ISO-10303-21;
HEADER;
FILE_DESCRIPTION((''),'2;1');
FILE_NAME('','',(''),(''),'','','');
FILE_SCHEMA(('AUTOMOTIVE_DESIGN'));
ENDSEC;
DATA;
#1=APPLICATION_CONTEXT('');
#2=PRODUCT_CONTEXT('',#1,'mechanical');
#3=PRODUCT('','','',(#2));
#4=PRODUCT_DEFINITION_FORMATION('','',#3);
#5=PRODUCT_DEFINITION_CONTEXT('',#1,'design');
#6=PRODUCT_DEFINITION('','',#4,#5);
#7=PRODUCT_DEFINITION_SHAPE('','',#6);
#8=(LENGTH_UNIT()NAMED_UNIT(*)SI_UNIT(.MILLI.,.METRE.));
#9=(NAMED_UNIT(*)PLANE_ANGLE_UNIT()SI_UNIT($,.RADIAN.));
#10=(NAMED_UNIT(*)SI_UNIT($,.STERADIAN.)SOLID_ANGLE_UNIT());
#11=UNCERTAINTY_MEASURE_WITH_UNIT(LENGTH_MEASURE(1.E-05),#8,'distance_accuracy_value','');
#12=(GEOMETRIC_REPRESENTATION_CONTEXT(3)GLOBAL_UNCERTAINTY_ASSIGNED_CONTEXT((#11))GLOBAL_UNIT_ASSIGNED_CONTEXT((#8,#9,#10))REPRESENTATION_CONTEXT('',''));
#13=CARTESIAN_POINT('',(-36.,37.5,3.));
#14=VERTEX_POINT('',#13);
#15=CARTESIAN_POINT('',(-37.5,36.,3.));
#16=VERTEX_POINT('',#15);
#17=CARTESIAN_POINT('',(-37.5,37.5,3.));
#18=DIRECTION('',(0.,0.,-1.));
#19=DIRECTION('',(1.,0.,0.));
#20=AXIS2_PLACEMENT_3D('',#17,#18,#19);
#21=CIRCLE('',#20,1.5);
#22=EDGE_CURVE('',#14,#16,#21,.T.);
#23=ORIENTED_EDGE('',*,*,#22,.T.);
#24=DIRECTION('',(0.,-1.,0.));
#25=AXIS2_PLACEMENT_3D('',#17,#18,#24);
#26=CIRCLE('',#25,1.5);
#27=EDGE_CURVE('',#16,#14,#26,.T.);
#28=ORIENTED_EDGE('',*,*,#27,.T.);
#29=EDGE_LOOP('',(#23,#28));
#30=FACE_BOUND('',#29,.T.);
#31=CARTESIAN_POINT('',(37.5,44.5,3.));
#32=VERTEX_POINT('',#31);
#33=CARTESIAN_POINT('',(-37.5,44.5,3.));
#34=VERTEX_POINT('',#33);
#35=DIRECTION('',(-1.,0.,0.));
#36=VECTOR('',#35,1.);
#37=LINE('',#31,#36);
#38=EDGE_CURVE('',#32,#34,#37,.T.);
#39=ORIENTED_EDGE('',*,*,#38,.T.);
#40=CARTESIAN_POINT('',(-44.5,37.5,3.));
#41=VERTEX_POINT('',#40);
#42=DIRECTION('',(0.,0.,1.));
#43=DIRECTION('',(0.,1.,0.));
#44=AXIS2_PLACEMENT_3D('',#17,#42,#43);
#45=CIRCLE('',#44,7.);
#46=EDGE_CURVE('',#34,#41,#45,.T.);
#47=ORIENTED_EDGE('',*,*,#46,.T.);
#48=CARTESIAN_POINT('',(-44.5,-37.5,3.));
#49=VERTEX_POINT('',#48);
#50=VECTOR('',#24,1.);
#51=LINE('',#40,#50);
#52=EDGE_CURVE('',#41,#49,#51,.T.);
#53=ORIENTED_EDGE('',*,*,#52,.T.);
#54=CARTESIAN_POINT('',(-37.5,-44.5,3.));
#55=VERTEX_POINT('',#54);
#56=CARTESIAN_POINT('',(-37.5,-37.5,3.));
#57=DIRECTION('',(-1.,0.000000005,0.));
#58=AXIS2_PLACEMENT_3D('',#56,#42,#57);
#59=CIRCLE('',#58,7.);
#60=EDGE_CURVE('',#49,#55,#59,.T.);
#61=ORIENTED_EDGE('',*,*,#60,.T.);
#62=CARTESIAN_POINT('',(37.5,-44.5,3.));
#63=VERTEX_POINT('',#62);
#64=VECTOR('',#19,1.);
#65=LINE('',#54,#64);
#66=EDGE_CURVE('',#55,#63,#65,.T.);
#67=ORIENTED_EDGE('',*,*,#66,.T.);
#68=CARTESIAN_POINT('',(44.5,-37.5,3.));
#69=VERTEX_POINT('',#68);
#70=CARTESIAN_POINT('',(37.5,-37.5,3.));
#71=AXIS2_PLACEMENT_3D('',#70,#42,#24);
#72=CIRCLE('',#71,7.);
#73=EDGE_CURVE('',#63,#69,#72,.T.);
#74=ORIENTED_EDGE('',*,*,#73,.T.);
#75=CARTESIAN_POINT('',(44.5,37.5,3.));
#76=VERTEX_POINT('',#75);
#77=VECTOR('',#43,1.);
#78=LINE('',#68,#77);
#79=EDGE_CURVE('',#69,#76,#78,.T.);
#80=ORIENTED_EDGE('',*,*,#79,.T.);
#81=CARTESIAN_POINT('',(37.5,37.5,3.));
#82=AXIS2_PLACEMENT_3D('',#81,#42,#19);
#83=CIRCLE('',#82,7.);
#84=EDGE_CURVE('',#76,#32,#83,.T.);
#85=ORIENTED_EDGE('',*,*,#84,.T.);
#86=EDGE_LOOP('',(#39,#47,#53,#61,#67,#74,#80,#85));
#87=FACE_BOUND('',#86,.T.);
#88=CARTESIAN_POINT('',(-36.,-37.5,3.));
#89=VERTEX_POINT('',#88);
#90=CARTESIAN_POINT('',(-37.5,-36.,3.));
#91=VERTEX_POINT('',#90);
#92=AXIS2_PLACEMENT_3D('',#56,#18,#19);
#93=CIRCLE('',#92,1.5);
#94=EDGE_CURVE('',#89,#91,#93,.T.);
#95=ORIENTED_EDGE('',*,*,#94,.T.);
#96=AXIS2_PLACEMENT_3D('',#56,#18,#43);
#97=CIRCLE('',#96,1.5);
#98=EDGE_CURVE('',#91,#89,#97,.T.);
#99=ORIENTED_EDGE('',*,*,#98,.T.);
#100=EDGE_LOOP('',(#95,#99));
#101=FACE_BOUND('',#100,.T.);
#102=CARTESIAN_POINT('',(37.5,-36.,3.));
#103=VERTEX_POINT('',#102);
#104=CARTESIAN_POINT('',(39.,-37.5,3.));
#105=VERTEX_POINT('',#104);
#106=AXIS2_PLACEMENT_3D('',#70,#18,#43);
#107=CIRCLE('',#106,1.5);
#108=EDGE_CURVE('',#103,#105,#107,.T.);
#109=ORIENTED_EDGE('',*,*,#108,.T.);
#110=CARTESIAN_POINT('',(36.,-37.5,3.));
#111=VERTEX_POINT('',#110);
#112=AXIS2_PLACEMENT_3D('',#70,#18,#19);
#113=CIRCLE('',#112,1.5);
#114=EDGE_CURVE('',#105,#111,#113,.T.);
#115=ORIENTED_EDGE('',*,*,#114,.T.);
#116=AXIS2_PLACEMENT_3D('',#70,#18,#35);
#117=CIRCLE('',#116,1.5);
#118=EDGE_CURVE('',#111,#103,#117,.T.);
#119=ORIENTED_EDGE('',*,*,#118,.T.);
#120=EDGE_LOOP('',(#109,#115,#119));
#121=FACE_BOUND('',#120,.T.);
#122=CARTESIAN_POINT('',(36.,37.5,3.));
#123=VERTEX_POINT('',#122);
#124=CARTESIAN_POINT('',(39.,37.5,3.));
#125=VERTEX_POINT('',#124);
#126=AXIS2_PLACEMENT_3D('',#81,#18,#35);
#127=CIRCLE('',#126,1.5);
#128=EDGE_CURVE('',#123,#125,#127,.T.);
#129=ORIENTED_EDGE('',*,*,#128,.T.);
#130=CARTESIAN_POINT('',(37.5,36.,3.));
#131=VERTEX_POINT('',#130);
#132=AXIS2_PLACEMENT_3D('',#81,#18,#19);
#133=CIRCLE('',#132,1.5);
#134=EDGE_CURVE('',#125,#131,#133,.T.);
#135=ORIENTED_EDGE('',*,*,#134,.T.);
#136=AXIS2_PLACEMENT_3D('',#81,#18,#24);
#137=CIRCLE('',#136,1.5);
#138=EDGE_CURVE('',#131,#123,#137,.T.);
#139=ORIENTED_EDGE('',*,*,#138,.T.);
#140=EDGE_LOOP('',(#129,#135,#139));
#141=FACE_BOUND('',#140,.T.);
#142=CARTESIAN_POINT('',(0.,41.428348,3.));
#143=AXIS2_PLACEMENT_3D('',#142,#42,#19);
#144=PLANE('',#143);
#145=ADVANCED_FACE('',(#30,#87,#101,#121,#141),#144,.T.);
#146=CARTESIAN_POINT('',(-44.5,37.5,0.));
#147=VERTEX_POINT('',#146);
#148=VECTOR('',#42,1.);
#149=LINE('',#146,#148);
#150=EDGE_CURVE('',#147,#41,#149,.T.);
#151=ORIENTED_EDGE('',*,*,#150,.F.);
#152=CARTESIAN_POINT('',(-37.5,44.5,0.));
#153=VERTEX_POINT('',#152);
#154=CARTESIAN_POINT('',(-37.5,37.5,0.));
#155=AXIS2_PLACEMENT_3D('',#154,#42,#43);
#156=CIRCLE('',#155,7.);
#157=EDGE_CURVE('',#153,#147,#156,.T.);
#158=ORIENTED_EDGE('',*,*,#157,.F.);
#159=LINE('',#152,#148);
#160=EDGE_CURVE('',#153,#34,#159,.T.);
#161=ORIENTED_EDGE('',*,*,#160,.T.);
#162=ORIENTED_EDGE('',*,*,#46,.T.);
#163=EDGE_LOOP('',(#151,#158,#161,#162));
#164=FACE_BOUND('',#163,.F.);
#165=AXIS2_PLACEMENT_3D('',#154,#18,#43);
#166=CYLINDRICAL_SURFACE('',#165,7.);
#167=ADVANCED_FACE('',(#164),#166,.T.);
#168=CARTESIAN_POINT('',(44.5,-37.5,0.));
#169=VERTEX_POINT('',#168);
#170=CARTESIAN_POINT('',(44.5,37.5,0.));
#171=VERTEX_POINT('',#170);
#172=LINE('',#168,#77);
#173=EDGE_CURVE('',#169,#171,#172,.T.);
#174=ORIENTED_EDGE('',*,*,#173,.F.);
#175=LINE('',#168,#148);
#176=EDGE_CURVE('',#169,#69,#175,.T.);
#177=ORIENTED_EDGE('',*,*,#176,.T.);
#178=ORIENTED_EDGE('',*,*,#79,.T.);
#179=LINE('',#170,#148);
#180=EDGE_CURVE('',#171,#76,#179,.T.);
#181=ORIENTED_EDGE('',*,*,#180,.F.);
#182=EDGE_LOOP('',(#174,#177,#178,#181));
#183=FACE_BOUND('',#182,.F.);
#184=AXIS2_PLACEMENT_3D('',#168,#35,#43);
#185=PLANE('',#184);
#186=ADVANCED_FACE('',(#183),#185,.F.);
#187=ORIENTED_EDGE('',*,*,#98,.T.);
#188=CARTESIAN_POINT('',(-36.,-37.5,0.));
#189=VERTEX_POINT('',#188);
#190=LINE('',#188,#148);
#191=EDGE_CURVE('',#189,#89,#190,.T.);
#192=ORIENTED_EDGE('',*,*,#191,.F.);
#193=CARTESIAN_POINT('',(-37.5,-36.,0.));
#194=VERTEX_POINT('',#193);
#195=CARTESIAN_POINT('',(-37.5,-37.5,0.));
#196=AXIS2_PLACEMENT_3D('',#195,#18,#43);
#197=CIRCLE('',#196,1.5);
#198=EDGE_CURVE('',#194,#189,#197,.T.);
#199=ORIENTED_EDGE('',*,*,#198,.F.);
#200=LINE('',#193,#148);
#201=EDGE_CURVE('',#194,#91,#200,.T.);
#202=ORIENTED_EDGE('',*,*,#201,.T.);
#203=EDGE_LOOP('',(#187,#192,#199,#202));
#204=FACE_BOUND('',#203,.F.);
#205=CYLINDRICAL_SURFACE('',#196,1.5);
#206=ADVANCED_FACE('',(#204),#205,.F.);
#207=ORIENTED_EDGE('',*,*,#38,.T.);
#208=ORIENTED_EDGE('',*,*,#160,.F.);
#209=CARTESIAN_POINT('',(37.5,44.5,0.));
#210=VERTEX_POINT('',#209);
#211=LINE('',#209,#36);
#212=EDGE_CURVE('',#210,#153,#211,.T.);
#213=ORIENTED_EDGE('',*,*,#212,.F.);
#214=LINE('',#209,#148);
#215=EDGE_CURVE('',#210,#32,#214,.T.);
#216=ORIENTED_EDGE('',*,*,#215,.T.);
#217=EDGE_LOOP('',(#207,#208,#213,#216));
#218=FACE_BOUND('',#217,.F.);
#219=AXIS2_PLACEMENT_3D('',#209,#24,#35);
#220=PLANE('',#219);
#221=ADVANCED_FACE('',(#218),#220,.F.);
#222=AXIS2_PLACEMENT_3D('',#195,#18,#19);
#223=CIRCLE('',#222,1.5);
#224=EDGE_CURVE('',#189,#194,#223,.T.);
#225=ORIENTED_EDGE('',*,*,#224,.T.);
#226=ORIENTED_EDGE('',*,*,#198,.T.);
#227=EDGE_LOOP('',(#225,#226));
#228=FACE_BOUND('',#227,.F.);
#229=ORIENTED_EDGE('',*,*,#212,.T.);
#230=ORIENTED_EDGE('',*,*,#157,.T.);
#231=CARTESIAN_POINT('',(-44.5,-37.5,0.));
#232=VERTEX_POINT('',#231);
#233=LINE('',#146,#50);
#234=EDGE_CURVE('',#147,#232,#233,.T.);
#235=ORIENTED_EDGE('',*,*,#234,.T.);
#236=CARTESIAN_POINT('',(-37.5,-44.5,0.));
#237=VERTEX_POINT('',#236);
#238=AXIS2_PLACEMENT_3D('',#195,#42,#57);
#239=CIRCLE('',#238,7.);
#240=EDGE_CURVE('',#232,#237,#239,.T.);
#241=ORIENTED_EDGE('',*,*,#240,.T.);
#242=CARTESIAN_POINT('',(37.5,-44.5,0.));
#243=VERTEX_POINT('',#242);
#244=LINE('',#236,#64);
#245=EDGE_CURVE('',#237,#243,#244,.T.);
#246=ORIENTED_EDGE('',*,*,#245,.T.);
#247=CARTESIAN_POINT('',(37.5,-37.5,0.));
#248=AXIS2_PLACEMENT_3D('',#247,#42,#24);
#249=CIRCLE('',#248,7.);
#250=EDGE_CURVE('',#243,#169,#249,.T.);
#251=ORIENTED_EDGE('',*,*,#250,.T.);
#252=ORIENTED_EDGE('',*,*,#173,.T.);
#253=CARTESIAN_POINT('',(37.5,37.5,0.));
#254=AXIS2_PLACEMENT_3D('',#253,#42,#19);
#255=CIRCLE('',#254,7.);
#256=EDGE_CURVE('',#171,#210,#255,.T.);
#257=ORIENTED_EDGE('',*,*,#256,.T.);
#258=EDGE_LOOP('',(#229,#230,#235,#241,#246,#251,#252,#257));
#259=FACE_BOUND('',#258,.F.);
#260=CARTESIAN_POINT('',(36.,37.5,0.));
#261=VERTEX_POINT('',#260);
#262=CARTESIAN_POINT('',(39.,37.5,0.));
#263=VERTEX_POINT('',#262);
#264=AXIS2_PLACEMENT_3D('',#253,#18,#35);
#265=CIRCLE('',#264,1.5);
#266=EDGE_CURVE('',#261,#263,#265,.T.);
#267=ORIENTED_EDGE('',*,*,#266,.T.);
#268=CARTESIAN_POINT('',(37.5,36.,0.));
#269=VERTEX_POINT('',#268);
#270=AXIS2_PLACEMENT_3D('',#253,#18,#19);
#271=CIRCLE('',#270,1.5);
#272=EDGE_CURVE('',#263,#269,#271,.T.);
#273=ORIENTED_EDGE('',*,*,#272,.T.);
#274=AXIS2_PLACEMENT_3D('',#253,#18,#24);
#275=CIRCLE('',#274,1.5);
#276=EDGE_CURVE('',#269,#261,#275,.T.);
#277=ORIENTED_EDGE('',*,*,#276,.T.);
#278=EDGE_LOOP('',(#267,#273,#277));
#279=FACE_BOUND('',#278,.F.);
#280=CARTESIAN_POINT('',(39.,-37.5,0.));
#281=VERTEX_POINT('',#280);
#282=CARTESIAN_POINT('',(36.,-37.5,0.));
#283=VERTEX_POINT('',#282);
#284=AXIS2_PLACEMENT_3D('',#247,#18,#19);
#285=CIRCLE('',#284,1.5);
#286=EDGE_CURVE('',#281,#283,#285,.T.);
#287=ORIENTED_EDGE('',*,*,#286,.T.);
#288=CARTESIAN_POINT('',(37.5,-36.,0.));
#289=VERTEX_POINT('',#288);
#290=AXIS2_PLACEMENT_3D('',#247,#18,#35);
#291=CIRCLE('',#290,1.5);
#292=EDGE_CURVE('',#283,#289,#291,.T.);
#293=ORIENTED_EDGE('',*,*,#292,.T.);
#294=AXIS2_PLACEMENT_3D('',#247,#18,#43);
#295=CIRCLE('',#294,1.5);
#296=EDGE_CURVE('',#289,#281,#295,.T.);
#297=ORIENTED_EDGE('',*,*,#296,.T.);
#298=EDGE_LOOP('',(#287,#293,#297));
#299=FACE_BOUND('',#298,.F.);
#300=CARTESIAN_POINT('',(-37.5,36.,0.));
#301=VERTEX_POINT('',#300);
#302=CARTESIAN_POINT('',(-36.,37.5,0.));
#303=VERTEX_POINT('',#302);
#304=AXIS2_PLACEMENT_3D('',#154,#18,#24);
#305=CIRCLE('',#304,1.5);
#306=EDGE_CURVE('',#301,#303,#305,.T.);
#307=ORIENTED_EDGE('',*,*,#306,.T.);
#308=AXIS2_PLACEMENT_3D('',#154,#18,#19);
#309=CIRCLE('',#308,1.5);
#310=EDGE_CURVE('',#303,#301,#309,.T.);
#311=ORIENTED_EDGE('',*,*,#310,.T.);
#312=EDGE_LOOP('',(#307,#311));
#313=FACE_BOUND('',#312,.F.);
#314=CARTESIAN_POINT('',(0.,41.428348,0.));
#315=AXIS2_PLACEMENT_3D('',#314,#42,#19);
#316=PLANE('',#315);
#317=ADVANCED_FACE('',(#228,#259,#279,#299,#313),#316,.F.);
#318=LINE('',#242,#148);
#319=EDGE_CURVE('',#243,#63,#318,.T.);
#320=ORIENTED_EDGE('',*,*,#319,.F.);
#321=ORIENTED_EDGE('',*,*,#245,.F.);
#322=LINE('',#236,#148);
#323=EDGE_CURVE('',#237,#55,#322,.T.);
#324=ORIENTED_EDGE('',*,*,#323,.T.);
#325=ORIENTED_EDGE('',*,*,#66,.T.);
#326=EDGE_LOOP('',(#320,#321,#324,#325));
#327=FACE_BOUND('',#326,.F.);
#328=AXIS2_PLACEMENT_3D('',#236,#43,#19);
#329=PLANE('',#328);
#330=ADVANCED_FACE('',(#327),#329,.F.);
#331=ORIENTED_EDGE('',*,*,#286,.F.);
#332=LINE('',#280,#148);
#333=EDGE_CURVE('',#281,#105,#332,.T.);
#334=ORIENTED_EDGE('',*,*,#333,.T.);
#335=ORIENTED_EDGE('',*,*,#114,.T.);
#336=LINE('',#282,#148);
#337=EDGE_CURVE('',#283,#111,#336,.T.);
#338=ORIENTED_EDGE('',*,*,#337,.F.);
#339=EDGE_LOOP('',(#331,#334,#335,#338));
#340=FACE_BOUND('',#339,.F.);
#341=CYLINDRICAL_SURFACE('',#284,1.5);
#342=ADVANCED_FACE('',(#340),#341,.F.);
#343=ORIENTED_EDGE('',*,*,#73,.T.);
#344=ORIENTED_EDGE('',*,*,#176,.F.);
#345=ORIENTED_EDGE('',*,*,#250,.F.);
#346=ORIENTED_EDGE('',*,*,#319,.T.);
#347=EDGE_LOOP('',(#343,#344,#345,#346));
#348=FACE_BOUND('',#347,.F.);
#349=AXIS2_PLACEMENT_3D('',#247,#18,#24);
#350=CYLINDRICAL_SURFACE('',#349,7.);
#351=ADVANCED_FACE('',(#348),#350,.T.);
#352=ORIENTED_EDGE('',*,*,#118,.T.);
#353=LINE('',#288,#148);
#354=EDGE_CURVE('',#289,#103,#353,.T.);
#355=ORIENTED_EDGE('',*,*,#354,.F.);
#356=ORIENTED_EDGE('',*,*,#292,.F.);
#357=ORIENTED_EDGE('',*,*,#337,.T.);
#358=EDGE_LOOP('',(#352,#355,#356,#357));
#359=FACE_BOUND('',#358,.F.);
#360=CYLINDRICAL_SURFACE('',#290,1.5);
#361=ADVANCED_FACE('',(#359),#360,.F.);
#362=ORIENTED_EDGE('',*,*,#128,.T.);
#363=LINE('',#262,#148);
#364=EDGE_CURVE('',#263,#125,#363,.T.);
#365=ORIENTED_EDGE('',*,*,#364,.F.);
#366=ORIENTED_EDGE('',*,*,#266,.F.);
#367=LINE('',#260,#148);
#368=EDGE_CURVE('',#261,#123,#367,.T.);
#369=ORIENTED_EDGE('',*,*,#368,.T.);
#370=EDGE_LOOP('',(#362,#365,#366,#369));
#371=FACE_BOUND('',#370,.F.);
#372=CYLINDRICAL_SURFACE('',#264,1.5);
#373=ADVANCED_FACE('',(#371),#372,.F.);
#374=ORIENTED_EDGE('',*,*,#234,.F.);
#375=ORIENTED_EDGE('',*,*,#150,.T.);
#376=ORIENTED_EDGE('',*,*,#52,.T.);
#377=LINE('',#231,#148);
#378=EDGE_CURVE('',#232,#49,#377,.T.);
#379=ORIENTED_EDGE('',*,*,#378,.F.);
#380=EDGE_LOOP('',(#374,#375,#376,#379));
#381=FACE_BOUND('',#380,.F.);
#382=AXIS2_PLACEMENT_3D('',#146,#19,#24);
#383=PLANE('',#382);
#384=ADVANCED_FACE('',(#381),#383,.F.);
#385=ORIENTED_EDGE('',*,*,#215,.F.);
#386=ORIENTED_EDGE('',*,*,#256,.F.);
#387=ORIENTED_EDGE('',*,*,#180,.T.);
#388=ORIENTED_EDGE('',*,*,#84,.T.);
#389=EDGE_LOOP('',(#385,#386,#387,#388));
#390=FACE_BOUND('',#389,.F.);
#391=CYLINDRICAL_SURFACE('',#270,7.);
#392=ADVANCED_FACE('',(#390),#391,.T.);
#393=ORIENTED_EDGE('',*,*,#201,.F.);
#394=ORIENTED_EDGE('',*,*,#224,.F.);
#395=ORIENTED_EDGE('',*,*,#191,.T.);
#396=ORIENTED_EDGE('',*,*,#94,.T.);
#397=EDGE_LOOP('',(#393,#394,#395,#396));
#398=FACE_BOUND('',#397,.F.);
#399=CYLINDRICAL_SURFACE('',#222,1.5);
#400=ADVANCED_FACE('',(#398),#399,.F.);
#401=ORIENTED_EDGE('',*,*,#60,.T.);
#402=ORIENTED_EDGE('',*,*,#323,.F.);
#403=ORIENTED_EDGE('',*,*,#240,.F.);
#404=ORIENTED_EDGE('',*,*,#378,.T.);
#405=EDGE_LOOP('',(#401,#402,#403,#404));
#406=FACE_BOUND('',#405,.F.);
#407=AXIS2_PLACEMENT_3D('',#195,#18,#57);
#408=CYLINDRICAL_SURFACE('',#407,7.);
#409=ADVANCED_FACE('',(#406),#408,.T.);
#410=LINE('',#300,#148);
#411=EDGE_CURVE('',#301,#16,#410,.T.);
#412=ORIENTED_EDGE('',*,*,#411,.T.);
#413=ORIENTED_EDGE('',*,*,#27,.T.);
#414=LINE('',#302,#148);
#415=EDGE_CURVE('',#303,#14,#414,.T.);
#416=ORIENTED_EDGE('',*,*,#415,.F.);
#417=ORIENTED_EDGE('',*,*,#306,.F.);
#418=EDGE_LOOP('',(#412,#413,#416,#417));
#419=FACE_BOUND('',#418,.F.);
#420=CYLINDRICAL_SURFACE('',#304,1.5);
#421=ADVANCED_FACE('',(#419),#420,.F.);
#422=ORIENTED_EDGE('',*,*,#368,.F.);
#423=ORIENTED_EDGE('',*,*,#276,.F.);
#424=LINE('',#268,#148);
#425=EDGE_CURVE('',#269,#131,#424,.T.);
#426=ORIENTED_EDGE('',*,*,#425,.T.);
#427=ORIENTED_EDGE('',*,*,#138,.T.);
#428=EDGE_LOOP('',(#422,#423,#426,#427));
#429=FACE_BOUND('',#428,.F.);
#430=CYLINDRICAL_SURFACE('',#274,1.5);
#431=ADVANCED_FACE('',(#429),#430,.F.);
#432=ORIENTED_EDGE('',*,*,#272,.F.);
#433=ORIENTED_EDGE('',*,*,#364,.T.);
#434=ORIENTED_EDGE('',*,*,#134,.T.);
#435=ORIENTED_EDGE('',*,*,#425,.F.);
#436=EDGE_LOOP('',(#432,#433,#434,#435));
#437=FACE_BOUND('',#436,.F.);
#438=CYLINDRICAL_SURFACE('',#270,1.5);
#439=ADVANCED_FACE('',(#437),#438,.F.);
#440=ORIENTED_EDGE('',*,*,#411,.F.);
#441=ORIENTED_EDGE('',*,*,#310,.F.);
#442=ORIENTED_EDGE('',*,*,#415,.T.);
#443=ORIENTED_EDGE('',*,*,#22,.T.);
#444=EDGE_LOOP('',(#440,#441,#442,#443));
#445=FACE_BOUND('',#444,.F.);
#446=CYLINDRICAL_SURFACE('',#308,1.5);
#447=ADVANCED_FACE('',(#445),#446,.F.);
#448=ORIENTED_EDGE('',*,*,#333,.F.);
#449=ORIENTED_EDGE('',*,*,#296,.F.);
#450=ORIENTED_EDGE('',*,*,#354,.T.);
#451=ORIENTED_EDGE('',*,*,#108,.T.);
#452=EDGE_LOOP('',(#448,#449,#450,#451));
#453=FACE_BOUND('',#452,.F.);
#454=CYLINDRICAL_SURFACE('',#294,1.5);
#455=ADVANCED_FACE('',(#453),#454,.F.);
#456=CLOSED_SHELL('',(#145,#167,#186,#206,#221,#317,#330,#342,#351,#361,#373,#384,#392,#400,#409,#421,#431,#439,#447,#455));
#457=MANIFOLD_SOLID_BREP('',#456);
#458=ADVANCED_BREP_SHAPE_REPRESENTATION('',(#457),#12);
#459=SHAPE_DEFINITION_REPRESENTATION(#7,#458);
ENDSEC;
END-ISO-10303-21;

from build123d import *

# Parameters (mm, degrees)
F1_DEPTH = 3


with BuildPart() as f1:
    # F0 (on Top) → F1 (new body)
    with BuildSketch(Plane.XY):
        with BuildLine():
            ThreePointArc((-37.5, 44.5), (-32.5502525317, 42.4497474683), (-30.5, 37.5))
            Line((-30.5, 37.5), (30.5, 37.5))
            ThreePointArc((30.5, 37.5), (32.5502525317, 42.4497474683), (37.5, 44.5))
            Line((37.5, 44.5), (-37.5, 44.5))
        make_face()
        with BuildLine():
            Line((30.5, -37.5), (-30.5, -37.5))
            ThreePointArc((-30.5, -37.5), (-32.550252511, -42.4497474476), (-37.4999999416, -44.5))
            Line((-37.4999999416, -44.5), (37.5, -44.5))
            ThreePointArc((37.5, -44.5), (32.5502525317, -42.4497474683), (30.5, -37.5))
        make_face()
        with BuildLine():
            ThreePointArc((44.5, 37.5), (42.4497474683, 32.5502525317), (37.5, 30.5))
            Line((37.5, 30.5), (37.5, -30.5))
            ThreePointArc((37.5, -30.5), (42.4497474683, -32.5502525317), (44.5, -37.5))
            Line((44.5, -37.5), (44.5, 37.5))
        make_face()
        with BuildLine():
            Line((-37.5, -30.5), (-37.5, 30.5))
            ThreePointArc((-37.5, 30.5), (-42.4497474683, 32.5502525317), (-44.5, 37.5))
            Line((-44.5, 37.5), (-44.5, -37.4999999639))
            ThreePointArc((-44.5, -37.4999999639), (-42.4497474555, -32.5502525189), (-37.5, -30.5))
        make_face()
        with BuildLine():
            ThreePointArc((37.5, 44.5), (32.5502525317, 42.4497474683), (30.5, 37.5))
            Line((30.5, 37.5), (36, 37.5))
            ThreePointArc((36, 37.5), (37.5, 39), (39, 37.5))
            ThreePointArc((39, 37.5), (38.5606601718, 36.4393398282), (37.5, 36))
            Line((37.5, 36), (37.5, 30.5))
            ThreePointArc((37.5, 30.5), (42.4497474683, 32.5502525317), (44.5, 37.5))
            ThreePointArc((44.5, 37.5), (42.4497474683, 42.4497474683), (37.5, 44.5))
        make_face()
        with BuildLine():
            Line((-36, 37.5), (-30.5, 37.5))
            ThreePointArc((-30.5, 37.5), (-32.5502525317, 42.4497474683), (-37.5, 44.5))
            ThreePointArc((-37.5, 44.5), (-42.4497474683, 42.4497474683), (-44.5, 37.5))
            ThreePointArc((-44.5, 37.5), (-42.4497474683, 32.5502525317), (-37.5, 30.5))
            Line((-37.5, 30.5), (-37.5, 36))
            ThreePointArc((-37.5, 36), (-38.5606601718, 38.5606601718), (-36, 37.5))
        make_face()
        with BuildLine():
            ThreePointArc((44.5, -37.5), (42.4497474683, -32.5502525317), (37.5, -30.5))
            Line((37.5, -30.5), (37.5, -36))
            ThreePointArc((37.5, -36), (38.5606601718, -36.4393398282), (39, -37.5))
            ThreePointArc((39, -37.5), (37.5, -39), (36, -37.5))
            Line((36, -37.5), (30.5, -37.5))
            ThreePointArc((30.5, -37.5), (32.5502525317, -42.4497474683), (37.5, -44.5))
            ThreePointArc((37.5, -44.5), (42.4497474683, -42.4497474683), (44.5, -37.5))
        make_face()
        with BuildLine():
            Line((-37.5, -36), (-37.5, -30.5))
            ThreePointArc((-37.5, -30.5), (-42.4497474555, -32.5502525189), (-44.5, -37.4999999639))
            ThreePointArc((-44.5, -37.4999999639), (-42.4497474604, -42.4497474762), (-37.4999999416, -44.5))
            ThreePointArc((-37.4999999416, -44.5), (-32.550252511, -42.4497474476), (-30.5, -37.5))
            Line((-30.5, -37.5), (-36, -37.5))
            ThreePointArc((-36, -37.5), (-38.5606601718, -38.5606601718), (-37.5, -36))
        make_face()
        with BuildLine():
            Line((30.5, 37.5), (-30.5, 37.5))
            ThreePointArc((-30.5, 37.5), (-32.5502525317, 32.5502525317), (-37.5, 30.5))
            Line((-37.5, 30.5), (-37.5, -30.5))
            ThreePointArc((-37.5, -30.5), (-32.5502525317, -32.5502525317), (-30.5, -37.5))
            Line((-30.5, -37.5), (30.5, -37.5))
            ThreePointArc((30.5, -37.5), (32.5502525317, -32.5502525317), (37.5, -30.5))
            Line((37.5, -30.5), (37.5, 30.5))
            ThreePointArc((37.5, 30.5), (32.5502525317, 32.5502525317), (30.5, 37.5))
        make_face()
        with BuildLine():
            ThreePointArc((-37.5, 30.5), (-32.5502525317, 32.5502525317), (-30.5, 37.5))
            Line((-30.5, 37.5), (-36, 37.5))
            ThreePointArc((-36, 37.5), (-36.4393398282, 36.4393398282), (-37.5, 36))
            Line((-37.5, 36), (-37.5, 30.5))
        make_face()
        with BuildLine():
            Line((36, 37.5), (30.5, 37.5))
            ThreePointArc((30.5, 37.5), (32.5502525317, 32.5502525317), (37.5, 30.5))
            Line((37.5, 30.5), (37.5, 36))
            ThreePointArc((37.5, 36), (36.4393398282, 36.4393398282), (36, 37.5))
        make_face()
        with BuildLine():
            Line((37.5, -36), (37.5, -30.5))
            ThreePointArc((37.5, -30.5), (32.5502525317, -32.5502525317), (30.5, -37.5))
            Line((30.5, -37.5), (36, -37.5))
            ThreePointArc((36, -37.5), (36.4393398282, -36.4393398282), (37.5, -36))
        make_face()
        with BuildLine():
            ThreePointArc((-30.5, -37.5), (-32.5502525317, -32.5502525317), (-37.5, -30.5))
            Line((-37.5, -30.5), (-37.5, -36))
            ThreePointArc((-37.5, -36), (-36.4393398282, -36.4393398282), (-36, -37.5))
            Line((-36, -37.5), (-30.5, -37.5))
        make_face()
    extrude(amount=F1_DEPTH)


solid = f1.part
